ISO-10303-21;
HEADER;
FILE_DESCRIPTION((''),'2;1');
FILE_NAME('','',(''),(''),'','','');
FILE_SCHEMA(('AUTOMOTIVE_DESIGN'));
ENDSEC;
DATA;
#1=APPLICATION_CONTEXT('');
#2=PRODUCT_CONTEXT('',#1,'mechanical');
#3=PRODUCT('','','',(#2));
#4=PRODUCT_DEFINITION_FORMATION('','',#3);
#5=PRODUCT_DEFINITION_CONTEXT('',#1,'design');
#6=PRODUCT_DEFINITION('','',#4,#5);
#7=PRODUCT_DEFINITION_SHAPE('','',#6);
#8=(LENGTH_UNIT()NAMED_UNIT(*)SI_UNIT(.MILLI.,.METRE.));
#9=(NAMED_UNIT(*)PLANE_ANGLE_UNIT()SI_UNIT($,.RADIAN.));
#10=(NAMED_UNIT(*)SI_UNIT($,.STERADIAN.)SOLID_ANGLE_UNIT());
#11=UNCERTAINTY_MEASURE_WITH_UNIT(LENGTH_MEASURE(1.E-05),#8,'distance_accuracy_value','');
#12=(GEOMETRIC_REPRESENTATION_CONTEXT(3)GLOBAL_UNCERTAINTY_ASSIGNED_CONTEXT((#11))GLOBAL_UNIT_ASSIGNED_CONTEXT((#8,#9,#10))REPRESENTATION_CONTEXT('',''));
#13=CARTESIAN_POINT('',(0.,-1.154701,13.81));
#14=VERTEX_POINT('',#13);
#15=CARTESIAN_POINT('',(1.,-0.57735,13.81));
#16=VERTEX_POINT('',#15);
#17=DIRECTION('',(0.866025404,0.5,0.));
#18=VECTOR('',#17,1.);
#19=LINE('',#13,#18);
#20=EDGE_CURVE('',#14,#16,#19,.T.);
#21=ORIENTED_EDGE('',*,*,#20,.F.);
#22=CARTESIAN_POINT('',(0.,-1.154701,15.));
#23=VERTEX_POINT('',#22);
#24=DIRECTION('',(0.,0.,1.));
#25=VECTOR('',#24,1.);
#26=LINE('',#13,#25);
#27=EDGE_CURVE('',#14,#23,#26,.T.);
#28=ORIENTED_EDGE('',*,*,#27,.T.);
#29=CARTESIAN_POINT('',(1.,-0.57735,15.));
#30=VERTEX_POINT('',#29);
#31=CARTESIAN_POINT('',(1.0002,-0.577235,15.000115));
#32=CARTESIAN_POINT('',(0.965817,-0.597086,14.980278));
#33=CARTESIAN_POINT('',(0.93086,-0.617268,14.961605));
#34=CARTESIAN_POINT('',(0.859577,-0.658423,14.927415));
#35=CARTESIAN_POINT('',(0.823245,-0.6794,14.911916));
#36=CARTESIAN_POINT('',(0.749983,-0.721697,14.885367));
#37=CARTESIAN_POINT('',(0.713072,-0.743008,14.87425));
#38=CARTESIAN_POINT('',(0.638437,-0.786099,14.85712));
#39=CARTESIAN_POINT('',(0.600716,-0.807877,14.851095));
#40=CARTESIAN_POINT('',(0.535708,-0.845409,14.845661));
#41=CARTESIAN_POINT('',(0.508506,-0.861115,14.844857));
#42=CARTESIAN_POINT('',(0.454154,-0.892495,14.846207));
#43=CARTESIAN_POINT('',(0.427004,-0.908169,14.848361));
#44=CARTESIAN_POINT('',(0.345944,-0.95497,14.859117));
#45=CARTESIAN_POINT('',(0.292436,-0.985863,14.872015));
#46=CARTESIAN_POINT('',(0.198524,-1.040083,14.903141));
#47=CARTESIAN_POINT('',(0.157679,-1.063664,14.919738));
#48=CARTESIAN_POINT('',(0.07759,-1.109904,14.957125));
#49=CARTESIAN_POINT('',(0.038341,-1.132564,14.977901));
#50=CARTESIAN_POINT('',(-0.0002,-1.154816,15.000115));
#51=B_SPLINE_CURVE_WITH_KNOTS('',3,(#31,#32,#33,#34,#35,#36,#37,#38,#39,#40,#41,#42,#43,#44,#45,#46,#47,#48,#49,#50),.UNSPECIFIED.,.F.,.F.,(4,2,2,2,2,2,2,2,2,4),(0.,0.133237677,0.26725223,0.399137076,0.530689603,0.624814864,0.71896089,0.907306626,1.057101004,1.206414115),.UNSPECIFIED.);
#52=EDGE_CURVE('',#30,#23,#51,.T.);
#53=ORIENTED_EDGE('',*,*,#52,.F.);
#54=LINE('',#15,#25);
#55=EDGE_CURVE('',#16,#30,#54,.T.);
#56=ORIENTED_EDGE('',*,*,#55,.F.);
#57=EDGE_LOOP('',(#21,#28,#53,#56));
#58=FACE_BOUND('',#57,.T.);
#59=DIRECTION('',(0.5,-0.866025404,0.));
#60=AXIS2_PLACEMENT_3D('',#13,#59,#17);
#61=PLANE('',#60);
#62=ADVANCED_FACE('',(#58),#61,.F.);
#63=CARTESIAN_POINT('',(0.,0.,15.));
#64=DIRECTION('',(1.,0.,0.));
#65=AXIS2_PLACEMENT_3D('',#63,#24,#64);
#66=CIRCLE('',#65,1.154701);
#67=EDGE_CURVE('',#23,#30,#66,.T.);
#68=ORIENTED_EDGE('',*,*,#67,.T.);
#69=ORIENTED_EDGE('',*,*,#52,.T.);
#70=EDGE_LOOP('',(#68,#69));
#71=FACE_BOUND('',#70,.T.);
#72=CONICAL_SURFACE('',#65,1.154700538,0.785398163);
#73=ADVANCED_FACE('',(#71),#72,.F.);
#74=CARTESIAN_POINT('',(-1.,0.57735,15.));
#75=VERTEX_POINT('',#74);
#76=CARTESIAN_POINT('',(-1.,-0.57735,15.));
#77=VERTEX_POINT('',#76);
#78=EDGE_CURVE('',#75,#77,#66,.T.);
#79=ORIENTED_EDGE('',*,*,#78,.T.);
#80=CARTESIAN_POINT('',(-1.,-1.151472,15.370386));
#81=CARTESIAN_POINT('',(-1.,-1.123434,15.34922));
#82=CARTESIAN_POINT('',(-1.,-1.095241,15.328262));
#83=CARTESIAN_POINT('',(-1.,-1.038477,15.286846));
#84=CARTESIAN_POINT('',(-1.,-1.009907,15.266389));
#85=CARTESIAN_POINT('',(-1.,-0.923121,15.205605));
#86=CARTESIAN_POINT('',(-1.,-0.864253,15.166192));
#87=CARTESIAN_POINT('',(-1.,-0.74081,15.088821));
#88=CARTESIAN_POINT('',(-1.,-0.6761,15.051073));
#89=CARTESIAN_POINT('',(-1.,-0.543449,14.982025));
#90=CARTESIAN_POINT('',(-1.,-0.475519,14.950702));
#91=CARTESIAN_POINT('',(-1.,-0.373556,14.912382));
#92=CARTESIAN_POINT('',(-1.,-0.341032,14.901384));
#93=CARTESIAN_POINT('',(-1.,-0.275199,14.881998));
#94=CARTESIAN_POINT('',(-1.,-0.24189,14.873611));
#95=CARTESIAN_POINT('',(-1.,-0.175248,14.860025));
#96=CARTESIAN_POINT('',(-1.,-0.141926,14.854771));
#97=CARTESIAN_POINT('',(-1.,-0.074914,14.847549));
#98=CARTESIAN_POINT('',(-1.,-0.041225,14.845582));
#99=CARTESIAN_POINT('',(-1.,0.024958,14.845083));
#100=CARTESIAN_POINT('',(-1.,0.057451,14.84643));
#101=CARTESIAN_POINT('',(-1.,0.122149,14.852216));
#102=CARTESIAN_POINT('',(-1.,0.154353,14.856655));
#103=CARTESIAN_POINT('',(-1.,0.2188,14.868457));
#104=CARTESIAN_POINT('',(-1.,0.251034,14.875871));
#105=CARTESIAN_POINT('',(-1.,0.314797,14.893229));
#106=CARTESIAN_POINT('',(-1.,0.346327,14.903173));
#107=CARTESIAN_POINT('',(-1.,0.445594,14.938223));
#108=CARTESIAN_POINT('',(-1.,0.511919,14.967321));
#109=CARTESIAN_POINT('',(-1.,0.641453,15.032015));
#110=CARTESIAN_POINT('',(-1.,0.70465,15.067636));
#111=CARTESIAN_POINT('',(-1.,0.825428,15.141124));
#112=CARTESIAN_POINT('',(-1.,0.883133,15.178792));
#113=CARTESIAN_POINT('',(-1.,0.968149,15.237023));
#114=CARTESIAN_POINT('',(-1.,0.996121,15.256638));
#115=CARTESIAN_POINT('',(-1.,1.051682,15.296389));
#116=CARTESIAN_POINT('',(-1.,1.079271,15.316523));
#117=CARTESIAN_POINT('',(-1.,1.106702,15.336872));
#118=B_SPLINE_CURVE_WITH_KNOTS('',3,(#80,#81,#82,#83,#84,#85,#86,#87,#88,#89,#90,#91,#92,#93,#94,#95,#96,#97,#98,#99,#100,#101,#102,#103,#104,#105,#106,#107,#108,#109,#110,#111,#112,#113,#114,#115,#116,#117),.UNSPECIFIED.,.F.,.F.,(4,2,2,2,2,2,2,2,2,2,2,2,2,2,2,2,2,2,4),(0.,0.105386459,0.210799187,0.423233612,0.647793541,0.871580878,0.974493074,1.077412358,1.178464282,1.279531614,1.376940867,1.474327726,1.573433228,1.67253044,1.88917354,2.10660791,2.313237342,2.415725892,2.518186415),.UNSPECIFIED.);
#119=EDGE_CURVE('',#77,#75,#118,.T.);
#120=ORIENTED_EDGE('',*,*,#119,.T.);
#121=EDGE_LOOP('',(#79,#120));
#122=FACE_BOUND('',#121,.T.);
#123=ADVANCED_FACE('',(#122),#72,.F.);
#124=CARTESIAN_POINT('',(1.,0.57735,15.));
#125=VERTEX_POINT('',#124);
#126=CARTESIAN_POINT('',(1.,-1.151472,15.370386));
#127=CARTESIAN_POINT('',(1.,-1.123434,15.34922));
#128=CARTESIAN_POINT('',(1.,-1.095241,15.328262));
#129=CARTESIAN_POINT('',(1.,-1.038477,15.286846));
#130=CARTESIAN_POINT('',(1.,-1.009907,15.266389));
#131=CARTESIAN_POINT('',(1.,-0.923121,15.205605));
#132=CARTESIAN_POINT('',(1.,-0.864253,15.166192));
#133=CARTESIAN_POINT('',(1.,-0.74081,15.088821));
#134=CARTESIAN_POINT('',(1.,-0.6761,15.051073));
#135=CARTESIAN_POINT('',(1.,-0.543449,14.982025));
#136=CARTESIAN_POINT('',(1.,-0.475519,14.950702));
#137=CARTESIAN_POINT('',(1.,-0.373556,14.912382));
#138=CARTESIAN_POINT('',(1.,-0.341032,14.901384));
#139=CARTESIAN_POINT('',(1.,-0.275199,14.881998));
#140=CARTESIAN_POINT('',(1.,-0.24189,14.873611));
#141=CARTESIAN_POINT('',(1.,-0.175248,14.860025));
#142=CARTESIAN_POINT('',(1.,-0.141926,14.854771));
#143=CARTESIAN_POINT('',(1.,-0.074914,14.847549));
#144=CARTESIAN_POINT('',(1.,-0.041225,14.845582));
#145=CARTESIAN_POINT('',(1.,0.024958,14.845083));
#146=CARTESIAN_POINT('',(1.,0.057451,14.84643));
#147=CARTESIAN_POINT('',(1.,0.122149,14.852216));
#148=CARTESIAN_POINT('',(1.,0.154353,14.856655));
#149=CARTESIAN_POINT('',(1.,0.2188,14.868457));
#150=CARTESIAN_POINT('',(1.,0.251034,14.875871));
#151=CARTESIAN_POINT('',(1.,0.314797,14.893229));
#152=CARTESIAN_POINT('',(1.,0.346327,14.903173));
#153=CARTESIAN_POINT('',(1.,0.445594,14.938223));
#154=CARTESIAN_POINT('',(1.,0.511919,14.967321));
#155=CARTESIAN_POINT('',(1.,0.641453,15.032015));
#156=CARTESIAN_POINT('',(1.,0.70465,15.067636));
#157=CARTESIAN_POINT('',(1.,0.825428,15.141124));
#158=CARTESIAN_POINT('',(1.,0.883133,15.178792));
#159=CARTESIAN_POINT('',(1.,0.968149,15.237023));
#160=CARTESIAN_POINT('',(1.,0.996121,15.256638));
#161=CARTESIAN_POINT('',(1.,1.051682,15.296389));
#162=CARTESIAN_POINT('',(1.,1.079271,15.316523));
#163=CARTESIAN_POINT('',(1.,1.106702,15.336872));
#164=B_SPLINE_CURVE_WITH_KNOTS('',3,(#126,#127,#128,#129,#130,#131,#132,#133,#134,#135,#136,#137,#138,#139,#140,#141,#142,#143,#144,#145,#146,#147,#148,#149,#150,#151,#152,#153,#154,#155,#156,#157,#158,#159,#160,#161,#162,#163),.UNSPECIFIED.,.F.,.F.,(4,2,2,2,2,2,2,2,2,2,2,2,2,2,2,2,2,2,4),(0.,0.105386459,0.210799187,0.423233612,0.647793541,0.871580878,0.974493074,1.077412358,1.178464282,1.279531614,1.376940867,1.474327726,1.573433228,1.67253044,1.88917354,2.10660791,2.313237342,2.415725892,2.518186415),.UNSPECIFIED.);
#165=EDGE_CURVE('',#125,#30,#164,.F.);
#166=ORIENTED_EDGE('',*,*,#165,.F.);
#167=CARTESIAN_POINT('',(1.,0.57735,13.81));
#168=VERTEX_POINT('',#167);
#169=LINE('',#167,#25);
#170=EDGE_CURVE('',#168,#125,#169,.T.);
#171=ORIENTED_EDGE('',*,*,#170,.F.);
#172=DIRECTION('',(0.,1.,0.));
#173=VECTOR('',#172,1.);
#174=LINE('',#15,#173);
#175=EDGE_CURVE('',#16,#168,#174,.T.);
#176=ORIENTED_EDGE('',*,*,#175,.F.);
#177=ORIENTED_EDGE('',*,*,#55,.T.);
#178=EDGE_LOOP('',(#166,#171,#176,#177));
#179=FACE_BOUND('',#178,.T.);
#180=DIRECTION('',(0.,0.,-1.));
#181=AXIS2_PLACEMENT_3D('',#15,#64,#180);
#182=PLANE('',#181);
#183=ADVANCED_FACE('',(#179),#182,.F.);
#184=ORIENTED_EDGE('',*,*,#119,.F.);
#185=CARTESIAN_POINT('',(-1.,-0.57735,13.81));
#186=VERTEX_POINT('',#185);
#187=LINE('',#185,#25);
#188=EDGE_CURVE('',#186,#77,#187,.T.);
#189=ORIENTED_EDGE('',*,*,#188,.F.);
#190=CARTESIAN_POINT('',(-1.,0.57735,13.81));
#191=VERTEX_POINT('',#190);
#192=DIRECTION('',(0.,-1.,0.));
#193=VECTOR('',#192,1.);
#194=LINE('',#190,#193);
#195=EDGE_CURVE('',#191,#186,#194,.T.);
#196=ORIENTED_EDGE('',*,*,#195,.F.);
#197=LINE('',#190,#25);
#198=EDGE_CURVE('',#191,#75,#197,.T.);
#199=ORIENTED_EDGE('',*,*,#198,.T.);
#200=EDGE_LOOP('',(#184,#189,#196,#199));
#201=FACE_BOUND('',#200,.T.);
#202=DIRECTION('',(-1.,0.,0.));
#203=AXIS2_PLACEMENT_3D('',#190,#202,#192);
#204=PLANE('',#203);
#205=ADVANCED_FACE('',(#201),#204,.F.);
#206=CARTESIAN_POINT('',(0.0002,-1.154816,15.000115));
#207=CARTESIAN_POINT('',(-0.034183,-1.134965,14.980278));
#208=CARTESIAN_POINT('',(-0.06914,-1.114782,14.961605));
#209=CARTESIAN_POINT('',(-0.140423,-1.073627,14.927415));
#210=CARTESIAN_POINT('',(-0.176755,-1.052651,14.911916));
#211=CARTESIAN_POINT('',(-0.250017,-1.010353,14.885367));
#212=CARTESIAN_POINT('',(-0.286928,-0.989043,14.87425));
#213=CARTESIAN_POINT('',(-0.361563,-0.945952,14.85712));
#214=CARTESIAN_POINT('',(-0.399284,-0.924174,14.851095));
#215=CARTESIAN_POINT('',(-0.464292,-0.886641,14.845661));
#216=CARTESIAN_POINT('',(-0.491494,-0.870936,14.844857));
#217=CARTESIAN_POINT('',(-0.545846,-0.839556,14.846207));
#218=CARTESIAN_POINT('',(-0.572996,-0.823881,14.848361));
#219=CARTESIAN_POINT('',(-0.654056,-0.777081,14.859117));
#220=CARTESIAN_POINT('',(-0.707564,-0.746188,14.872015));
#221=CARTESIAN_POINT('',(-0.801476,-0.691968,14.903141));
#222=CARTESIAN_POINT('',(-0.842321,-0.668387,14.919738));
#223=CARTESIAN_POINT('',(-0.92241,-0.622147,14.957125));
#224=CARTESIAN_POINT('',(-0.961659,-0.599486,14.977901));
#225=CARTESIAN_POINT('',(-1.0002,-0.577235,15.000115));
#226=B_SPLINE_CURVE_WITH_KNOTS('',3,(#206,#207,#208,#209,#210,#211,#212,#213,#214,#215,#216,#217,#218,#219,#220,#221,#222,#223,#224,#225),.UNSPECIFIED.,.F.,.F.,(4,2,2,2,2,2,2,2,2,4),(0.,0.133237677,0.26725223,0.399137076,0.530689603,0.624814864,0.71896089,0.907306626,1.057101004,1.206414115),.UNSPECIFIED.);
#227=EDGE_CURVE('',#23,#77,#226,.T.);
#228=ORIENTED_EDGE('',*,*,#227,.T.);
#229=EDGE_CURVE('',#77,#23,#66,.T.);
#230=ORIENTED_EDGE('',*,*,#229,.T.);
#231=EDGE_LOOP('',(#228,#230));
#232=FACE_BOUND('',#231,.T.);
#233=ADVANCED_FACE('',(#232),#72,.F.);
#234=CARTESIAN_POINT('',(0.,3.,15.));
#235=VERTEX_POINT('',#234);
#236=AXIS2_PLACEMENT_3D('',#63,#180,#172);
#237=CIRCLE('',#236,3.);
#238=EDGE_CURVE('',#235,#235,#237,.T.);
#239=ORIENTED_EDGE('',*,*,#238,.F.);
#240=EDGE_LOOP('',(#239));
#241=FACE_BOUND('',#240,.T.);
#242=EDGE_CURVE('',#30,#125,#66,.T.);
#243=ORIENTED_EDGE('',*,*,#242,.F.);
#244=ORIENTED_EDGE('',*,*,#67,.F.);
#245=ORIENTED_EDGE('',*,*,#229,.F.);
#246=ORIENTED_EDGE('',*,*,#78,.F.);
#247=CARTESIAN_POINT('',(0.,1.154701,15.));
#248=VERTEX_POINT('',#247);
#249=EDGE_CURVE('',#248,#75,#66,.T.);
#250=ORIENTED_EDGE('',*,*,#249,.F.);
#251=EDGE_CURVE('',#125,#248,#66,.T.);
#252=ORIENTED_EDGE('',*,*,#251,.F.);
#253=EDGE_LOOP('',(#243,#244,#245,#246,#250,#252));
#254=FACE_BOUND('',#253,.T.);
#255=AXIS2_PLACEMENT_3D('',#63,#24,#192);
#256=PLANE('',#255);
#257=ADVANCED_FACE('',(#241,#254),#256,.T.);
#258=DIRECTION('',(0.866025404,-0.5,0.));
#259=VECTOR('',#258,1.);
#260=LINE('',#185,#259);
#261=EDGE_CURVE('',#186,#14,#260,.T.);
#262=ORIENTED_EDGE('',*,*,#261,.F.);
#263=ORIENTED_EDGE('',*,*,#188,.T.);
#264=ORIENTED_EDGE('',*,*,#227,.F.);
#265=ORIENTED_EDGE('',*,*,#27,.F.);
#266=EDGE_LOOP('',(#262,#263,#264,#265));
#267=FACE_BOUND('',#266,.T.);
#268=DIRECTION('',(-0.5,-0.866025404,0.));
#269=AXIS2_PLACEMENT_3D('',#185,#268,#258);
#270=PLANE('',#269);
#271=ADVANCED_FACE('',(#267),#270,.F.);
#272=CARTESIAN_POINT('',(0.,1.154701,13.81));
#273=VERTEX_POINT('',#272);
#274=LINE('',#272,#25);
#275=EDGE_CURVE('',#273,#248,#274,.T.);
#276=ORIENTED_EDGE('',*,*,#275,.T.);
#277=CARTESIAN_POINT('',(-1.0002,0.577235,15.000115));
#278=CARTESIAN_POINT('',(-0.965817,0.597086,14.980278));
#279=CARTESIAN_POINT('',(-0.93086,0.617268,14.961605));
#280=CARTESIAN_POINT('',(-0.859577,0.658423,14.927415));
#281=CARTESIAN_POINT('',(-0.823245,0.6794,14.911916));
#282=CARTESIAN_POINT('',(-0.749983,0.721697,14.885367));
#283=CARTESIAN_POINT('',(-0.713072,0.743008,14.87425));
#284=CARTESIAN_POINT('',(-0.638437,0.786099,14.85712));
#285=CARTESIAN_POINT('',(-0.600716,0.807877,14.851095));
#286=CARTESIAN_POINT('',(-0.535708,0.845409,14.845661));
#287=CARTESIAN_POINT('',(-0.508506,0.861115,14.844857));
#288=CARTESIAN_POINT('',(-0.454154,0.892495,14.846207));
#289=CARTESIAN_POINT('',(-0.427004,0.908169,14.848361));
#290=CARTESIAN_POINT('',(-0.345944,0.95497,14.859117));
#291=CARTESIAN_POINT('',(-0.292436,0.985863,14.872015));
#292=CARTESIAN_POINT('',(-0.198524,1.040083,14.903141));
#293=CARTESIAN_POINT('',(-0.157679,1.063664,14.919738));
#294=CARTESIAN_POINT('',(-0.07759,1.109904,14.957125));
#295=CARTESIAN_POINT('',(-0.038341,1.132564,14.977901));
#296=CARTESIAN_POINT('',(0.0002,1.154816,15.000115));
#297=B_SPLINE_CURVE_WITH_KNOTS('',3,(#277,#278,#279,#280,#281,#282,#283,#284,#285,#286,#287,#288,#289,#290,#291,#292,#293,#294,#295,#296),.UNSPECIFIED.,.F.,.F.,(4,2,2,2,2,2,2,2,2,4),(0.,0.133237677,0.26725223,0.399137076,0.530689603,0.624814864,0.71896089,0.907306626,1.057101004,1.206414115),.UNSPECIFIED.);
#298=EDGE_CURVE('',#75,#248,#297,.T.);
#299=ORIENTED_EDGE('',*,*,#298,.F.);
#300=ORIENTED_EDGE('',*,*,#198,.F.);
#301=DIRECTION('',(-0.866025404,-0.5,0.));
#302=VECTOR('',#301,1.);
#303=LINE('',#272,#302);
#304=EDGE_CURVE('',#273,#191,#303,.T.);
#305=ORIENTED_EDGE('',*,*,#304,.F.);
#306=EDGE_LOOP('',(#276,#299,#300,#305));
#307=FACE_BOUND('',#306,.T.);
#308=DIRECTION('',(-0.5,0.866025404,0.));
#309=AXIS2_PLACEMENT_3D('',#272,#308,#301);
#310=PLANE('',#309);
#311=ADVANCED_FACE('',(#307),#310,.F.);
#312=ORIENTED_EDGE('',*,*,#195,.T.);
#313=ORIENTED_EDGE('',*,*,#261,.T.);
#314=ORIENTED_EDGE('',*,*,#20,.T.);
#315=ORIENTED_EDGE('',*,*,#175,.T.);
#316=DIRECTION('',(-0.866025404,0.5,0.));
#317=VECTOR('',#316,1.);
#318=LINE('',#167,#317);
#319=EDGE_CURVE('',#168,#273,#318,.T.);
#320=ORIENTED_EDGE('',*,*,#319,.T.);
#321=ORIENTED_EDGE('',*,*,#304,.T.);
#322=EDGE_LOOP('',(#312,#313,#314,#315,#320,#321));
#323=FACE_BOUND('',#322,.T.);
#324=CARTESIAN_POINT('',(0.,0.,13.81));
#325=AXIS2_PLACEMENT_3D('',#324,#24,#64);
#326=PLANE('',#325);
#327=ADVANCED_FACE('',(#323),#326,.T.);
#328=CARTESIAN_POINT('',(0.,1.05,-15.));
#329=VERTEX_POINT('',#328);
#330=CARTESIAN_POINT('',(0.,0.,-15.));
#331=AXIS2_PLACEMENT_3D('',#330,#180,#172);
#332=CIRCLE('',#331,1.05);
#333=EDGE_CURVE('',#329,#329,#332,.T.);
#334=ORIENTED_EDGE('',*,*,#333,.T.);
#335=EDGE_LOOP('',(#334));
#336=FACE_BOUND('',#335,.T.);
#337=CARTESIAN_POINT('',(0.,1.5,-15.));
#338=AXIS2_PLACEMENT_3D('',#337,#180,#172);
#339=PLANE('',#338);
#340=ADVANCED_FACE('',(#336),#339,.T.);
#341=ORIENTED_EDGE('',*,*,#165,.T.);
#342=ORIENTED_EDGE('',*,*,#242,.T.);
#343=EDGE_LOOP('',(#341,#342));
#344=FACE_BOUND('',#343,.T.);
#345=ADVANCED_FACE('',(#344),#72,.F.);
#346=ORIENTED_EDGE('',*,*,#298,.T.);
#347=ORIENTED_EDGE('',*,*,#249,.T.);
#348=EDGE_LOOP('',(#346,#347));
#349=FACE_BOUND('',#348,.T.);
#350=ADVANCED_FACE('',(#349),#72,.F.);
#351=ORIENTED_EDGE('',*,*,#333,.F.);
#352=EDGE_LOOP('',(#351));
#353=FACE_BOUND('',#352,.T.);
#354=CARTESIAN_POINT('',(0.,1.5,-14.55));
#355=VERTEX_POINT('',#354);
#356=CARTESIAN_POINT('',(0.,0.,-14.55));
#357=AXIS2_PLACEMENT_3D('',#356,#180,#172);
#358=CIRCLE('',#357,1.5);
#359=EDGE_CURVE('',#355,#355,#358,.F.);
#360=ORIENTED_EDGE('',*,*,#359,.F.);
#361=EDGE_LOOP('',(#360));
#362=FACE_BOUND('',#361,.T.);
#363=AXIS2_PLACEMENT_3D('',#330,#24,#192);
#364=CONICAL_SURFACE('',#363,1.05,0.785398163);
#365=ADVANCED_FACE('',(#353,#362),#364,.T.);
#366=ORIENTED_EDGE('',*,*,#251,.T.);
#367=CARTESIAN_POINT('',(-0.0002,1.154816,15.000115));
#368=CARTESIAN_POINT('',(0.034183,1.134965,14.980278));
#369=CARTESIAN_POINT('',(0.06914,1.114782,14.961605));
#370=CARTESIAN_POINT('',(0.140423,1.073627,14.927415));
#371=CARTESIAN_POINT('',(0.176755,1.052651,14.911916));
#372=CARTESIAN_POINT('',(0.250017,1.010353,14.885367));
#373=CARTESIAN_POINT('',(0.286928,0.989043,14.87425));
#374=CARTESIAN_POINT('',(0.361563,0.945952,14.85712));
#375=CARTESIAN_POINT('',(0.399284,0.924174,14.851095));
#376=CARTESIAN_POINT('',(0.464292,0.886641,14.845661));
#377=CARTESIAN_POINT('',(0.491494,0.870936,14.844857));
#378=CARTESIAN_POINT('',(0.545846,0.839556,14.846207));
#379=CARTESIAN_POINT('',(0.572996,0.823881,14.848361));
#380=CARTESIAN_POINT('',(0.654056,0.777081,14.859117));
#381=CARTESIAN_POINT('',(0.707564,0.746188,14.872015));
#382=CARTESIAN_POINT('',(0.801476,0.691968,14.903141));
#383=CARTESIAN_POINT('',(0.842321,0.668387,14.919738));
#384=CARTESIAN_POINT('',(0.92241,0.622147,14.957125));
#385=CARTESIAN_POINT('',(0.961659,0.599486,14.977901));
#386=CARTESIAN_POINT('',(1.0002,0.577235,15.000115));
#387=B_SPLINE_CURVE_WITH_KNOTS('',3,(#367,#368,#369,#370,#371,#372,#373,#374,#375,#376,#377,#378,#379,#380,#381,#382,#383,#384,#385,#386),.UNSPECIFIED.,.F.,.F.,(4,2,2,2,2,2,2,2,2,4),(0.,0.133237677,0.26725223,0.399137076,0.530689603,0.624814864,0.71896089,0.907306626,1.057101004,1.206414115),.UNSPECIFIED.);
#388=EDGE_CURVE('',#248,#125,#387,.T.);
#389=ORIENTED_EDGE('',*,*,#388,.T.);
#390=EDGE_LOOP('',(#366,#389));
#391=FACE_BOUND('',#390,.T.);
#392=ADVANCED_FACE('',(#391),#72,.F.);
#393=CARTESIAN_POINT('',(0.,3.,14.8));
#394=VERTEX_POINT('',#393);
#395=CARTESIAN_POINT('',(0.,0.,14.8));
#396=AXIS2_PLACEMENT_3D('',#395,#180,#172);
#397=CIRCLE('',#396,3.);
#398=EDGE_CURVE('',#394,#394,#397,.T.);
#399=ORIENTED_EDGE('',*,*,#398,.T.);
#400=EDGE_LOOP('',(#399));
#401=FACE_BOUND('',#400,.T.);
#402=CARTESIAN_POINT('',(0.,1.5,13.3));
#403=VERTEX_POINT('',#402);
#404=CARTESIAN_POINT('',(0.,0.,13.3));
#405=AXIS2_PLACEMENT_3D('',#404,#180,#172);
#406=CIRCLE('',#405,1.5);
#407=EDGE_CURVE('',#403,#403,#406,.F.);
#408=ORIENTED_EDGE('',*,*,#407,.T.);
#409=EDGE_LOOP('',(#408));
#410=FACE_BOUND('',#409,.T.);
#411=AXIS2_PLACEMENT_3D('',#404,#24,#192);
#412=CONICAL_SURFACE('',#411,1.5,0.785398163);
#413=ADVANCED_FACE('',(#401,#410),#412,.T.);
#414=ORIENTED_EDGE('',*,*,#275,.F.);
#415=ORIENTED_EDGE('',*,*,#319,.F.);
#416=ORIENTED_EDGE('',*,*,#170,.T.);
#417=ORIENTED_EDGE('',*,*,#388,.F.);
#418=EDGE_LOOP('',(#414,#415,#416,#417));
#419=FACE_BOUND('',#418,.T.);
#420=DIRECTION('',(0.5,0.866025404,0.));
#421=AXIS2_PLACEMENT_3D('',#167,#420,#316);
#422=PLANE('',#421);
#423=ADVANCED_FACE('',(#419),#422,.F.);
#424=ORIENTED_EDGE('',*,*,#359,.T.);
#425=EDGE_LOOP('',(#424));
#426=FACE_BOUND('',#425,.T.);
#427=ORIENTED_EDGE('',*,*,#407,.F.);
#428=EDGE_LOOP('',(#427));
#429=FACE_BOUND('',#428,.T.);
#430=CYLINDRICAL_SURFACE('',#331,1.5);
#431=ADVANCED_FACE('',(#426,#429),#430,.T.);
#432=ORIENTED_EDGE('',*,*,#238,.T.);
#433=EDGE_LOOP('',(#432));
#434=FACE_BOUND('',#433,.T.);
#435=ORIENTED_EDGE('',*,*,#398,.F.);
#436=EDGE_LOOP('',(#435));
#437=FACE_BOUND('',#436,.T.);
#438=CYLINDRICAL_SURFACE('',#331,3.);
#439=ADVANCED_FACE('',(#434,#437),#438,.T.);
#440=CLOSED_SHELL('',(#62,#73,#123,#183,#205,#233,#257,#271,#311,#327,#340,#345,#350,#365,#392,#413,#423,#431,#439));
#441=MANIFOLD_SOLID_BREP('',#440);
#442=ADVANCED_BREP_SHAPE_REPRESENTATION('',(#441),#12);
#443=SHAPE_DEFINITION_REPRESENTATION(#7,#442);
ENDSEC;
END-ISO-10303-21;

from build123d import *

# Parameters (mm, degrees)
SKETCH3_W          = 30
SKETCH3_H          = 1.5
CHAMFER1_SIZE      = 0.45
CUT_EXTRUDE1_DEPTH = 1.19


with BuildPart() as part:
    # Sketch3 → Revolve1 (revolve)
    with BuildSketch(Plane(origin=(0, 0, 0), x_dir=(0, 0, -1), z_dir=(1, 0, 0))):
        with Locations((0, 0.75)):
            Rectangle(SKETCH3_W, SKETCH3_H)
    revolve(axis=Axis((0, 0, -15), (0, 0, 1)))

    # Chamfer1
    chamfer1_edges = [part.edges().sort_by_distance(p)[0] for p in [
        (0, -1.5, -15),
    ]]
    chamfer(chamfer1_edges, length=CHAMFER1_SIZE)

    # Sketch6 → Revolve2 (revolve)
    with BuildSketch(Plane(origin=(0, 0, 0), x_dir=(0, 0, -1), z_dir=(1, 0, 0))):
        Polygon((-15, 3), (-14.8, 3), (-13.3, 1.5), (-13.3, 0), (-15, 0), align=None)
    revolve(axis=Axis((0, 0, -15), (0, 0, 1)))

    # Sketch8 → Cut-Extrude1 (cut)
    with BuildSketch(Plane.XY.offset(15)):
        Polygon((0, 1.154700538), (-1, 0.577350269), (-1, -0.577350269), (0, -1.154700538), (1, -0.577350269), (1, 0.577350269), align=None)
    extrude(amount=-CUT_EXTRUDE1_DEPTH, mode=Mode.SUBTRACT)

    # Cut-Extrude2 cone 1 section (through the dimple's axis) → Cut-Extrude2 (revolve, cut)
    with BuildSketch(Plane(origin=(0, 0, 15), x_dir=(0, -1, 0), z_dir=(1, 0, 0))):
        Polygon((0, 0), (1.154700538, 0), (0, 1.154700538), align=None)
    revolve(axis=Axis((0, 0, 15), (0, 0, -1)), mode=Mode.SUBTRACT)


solid = part.part
